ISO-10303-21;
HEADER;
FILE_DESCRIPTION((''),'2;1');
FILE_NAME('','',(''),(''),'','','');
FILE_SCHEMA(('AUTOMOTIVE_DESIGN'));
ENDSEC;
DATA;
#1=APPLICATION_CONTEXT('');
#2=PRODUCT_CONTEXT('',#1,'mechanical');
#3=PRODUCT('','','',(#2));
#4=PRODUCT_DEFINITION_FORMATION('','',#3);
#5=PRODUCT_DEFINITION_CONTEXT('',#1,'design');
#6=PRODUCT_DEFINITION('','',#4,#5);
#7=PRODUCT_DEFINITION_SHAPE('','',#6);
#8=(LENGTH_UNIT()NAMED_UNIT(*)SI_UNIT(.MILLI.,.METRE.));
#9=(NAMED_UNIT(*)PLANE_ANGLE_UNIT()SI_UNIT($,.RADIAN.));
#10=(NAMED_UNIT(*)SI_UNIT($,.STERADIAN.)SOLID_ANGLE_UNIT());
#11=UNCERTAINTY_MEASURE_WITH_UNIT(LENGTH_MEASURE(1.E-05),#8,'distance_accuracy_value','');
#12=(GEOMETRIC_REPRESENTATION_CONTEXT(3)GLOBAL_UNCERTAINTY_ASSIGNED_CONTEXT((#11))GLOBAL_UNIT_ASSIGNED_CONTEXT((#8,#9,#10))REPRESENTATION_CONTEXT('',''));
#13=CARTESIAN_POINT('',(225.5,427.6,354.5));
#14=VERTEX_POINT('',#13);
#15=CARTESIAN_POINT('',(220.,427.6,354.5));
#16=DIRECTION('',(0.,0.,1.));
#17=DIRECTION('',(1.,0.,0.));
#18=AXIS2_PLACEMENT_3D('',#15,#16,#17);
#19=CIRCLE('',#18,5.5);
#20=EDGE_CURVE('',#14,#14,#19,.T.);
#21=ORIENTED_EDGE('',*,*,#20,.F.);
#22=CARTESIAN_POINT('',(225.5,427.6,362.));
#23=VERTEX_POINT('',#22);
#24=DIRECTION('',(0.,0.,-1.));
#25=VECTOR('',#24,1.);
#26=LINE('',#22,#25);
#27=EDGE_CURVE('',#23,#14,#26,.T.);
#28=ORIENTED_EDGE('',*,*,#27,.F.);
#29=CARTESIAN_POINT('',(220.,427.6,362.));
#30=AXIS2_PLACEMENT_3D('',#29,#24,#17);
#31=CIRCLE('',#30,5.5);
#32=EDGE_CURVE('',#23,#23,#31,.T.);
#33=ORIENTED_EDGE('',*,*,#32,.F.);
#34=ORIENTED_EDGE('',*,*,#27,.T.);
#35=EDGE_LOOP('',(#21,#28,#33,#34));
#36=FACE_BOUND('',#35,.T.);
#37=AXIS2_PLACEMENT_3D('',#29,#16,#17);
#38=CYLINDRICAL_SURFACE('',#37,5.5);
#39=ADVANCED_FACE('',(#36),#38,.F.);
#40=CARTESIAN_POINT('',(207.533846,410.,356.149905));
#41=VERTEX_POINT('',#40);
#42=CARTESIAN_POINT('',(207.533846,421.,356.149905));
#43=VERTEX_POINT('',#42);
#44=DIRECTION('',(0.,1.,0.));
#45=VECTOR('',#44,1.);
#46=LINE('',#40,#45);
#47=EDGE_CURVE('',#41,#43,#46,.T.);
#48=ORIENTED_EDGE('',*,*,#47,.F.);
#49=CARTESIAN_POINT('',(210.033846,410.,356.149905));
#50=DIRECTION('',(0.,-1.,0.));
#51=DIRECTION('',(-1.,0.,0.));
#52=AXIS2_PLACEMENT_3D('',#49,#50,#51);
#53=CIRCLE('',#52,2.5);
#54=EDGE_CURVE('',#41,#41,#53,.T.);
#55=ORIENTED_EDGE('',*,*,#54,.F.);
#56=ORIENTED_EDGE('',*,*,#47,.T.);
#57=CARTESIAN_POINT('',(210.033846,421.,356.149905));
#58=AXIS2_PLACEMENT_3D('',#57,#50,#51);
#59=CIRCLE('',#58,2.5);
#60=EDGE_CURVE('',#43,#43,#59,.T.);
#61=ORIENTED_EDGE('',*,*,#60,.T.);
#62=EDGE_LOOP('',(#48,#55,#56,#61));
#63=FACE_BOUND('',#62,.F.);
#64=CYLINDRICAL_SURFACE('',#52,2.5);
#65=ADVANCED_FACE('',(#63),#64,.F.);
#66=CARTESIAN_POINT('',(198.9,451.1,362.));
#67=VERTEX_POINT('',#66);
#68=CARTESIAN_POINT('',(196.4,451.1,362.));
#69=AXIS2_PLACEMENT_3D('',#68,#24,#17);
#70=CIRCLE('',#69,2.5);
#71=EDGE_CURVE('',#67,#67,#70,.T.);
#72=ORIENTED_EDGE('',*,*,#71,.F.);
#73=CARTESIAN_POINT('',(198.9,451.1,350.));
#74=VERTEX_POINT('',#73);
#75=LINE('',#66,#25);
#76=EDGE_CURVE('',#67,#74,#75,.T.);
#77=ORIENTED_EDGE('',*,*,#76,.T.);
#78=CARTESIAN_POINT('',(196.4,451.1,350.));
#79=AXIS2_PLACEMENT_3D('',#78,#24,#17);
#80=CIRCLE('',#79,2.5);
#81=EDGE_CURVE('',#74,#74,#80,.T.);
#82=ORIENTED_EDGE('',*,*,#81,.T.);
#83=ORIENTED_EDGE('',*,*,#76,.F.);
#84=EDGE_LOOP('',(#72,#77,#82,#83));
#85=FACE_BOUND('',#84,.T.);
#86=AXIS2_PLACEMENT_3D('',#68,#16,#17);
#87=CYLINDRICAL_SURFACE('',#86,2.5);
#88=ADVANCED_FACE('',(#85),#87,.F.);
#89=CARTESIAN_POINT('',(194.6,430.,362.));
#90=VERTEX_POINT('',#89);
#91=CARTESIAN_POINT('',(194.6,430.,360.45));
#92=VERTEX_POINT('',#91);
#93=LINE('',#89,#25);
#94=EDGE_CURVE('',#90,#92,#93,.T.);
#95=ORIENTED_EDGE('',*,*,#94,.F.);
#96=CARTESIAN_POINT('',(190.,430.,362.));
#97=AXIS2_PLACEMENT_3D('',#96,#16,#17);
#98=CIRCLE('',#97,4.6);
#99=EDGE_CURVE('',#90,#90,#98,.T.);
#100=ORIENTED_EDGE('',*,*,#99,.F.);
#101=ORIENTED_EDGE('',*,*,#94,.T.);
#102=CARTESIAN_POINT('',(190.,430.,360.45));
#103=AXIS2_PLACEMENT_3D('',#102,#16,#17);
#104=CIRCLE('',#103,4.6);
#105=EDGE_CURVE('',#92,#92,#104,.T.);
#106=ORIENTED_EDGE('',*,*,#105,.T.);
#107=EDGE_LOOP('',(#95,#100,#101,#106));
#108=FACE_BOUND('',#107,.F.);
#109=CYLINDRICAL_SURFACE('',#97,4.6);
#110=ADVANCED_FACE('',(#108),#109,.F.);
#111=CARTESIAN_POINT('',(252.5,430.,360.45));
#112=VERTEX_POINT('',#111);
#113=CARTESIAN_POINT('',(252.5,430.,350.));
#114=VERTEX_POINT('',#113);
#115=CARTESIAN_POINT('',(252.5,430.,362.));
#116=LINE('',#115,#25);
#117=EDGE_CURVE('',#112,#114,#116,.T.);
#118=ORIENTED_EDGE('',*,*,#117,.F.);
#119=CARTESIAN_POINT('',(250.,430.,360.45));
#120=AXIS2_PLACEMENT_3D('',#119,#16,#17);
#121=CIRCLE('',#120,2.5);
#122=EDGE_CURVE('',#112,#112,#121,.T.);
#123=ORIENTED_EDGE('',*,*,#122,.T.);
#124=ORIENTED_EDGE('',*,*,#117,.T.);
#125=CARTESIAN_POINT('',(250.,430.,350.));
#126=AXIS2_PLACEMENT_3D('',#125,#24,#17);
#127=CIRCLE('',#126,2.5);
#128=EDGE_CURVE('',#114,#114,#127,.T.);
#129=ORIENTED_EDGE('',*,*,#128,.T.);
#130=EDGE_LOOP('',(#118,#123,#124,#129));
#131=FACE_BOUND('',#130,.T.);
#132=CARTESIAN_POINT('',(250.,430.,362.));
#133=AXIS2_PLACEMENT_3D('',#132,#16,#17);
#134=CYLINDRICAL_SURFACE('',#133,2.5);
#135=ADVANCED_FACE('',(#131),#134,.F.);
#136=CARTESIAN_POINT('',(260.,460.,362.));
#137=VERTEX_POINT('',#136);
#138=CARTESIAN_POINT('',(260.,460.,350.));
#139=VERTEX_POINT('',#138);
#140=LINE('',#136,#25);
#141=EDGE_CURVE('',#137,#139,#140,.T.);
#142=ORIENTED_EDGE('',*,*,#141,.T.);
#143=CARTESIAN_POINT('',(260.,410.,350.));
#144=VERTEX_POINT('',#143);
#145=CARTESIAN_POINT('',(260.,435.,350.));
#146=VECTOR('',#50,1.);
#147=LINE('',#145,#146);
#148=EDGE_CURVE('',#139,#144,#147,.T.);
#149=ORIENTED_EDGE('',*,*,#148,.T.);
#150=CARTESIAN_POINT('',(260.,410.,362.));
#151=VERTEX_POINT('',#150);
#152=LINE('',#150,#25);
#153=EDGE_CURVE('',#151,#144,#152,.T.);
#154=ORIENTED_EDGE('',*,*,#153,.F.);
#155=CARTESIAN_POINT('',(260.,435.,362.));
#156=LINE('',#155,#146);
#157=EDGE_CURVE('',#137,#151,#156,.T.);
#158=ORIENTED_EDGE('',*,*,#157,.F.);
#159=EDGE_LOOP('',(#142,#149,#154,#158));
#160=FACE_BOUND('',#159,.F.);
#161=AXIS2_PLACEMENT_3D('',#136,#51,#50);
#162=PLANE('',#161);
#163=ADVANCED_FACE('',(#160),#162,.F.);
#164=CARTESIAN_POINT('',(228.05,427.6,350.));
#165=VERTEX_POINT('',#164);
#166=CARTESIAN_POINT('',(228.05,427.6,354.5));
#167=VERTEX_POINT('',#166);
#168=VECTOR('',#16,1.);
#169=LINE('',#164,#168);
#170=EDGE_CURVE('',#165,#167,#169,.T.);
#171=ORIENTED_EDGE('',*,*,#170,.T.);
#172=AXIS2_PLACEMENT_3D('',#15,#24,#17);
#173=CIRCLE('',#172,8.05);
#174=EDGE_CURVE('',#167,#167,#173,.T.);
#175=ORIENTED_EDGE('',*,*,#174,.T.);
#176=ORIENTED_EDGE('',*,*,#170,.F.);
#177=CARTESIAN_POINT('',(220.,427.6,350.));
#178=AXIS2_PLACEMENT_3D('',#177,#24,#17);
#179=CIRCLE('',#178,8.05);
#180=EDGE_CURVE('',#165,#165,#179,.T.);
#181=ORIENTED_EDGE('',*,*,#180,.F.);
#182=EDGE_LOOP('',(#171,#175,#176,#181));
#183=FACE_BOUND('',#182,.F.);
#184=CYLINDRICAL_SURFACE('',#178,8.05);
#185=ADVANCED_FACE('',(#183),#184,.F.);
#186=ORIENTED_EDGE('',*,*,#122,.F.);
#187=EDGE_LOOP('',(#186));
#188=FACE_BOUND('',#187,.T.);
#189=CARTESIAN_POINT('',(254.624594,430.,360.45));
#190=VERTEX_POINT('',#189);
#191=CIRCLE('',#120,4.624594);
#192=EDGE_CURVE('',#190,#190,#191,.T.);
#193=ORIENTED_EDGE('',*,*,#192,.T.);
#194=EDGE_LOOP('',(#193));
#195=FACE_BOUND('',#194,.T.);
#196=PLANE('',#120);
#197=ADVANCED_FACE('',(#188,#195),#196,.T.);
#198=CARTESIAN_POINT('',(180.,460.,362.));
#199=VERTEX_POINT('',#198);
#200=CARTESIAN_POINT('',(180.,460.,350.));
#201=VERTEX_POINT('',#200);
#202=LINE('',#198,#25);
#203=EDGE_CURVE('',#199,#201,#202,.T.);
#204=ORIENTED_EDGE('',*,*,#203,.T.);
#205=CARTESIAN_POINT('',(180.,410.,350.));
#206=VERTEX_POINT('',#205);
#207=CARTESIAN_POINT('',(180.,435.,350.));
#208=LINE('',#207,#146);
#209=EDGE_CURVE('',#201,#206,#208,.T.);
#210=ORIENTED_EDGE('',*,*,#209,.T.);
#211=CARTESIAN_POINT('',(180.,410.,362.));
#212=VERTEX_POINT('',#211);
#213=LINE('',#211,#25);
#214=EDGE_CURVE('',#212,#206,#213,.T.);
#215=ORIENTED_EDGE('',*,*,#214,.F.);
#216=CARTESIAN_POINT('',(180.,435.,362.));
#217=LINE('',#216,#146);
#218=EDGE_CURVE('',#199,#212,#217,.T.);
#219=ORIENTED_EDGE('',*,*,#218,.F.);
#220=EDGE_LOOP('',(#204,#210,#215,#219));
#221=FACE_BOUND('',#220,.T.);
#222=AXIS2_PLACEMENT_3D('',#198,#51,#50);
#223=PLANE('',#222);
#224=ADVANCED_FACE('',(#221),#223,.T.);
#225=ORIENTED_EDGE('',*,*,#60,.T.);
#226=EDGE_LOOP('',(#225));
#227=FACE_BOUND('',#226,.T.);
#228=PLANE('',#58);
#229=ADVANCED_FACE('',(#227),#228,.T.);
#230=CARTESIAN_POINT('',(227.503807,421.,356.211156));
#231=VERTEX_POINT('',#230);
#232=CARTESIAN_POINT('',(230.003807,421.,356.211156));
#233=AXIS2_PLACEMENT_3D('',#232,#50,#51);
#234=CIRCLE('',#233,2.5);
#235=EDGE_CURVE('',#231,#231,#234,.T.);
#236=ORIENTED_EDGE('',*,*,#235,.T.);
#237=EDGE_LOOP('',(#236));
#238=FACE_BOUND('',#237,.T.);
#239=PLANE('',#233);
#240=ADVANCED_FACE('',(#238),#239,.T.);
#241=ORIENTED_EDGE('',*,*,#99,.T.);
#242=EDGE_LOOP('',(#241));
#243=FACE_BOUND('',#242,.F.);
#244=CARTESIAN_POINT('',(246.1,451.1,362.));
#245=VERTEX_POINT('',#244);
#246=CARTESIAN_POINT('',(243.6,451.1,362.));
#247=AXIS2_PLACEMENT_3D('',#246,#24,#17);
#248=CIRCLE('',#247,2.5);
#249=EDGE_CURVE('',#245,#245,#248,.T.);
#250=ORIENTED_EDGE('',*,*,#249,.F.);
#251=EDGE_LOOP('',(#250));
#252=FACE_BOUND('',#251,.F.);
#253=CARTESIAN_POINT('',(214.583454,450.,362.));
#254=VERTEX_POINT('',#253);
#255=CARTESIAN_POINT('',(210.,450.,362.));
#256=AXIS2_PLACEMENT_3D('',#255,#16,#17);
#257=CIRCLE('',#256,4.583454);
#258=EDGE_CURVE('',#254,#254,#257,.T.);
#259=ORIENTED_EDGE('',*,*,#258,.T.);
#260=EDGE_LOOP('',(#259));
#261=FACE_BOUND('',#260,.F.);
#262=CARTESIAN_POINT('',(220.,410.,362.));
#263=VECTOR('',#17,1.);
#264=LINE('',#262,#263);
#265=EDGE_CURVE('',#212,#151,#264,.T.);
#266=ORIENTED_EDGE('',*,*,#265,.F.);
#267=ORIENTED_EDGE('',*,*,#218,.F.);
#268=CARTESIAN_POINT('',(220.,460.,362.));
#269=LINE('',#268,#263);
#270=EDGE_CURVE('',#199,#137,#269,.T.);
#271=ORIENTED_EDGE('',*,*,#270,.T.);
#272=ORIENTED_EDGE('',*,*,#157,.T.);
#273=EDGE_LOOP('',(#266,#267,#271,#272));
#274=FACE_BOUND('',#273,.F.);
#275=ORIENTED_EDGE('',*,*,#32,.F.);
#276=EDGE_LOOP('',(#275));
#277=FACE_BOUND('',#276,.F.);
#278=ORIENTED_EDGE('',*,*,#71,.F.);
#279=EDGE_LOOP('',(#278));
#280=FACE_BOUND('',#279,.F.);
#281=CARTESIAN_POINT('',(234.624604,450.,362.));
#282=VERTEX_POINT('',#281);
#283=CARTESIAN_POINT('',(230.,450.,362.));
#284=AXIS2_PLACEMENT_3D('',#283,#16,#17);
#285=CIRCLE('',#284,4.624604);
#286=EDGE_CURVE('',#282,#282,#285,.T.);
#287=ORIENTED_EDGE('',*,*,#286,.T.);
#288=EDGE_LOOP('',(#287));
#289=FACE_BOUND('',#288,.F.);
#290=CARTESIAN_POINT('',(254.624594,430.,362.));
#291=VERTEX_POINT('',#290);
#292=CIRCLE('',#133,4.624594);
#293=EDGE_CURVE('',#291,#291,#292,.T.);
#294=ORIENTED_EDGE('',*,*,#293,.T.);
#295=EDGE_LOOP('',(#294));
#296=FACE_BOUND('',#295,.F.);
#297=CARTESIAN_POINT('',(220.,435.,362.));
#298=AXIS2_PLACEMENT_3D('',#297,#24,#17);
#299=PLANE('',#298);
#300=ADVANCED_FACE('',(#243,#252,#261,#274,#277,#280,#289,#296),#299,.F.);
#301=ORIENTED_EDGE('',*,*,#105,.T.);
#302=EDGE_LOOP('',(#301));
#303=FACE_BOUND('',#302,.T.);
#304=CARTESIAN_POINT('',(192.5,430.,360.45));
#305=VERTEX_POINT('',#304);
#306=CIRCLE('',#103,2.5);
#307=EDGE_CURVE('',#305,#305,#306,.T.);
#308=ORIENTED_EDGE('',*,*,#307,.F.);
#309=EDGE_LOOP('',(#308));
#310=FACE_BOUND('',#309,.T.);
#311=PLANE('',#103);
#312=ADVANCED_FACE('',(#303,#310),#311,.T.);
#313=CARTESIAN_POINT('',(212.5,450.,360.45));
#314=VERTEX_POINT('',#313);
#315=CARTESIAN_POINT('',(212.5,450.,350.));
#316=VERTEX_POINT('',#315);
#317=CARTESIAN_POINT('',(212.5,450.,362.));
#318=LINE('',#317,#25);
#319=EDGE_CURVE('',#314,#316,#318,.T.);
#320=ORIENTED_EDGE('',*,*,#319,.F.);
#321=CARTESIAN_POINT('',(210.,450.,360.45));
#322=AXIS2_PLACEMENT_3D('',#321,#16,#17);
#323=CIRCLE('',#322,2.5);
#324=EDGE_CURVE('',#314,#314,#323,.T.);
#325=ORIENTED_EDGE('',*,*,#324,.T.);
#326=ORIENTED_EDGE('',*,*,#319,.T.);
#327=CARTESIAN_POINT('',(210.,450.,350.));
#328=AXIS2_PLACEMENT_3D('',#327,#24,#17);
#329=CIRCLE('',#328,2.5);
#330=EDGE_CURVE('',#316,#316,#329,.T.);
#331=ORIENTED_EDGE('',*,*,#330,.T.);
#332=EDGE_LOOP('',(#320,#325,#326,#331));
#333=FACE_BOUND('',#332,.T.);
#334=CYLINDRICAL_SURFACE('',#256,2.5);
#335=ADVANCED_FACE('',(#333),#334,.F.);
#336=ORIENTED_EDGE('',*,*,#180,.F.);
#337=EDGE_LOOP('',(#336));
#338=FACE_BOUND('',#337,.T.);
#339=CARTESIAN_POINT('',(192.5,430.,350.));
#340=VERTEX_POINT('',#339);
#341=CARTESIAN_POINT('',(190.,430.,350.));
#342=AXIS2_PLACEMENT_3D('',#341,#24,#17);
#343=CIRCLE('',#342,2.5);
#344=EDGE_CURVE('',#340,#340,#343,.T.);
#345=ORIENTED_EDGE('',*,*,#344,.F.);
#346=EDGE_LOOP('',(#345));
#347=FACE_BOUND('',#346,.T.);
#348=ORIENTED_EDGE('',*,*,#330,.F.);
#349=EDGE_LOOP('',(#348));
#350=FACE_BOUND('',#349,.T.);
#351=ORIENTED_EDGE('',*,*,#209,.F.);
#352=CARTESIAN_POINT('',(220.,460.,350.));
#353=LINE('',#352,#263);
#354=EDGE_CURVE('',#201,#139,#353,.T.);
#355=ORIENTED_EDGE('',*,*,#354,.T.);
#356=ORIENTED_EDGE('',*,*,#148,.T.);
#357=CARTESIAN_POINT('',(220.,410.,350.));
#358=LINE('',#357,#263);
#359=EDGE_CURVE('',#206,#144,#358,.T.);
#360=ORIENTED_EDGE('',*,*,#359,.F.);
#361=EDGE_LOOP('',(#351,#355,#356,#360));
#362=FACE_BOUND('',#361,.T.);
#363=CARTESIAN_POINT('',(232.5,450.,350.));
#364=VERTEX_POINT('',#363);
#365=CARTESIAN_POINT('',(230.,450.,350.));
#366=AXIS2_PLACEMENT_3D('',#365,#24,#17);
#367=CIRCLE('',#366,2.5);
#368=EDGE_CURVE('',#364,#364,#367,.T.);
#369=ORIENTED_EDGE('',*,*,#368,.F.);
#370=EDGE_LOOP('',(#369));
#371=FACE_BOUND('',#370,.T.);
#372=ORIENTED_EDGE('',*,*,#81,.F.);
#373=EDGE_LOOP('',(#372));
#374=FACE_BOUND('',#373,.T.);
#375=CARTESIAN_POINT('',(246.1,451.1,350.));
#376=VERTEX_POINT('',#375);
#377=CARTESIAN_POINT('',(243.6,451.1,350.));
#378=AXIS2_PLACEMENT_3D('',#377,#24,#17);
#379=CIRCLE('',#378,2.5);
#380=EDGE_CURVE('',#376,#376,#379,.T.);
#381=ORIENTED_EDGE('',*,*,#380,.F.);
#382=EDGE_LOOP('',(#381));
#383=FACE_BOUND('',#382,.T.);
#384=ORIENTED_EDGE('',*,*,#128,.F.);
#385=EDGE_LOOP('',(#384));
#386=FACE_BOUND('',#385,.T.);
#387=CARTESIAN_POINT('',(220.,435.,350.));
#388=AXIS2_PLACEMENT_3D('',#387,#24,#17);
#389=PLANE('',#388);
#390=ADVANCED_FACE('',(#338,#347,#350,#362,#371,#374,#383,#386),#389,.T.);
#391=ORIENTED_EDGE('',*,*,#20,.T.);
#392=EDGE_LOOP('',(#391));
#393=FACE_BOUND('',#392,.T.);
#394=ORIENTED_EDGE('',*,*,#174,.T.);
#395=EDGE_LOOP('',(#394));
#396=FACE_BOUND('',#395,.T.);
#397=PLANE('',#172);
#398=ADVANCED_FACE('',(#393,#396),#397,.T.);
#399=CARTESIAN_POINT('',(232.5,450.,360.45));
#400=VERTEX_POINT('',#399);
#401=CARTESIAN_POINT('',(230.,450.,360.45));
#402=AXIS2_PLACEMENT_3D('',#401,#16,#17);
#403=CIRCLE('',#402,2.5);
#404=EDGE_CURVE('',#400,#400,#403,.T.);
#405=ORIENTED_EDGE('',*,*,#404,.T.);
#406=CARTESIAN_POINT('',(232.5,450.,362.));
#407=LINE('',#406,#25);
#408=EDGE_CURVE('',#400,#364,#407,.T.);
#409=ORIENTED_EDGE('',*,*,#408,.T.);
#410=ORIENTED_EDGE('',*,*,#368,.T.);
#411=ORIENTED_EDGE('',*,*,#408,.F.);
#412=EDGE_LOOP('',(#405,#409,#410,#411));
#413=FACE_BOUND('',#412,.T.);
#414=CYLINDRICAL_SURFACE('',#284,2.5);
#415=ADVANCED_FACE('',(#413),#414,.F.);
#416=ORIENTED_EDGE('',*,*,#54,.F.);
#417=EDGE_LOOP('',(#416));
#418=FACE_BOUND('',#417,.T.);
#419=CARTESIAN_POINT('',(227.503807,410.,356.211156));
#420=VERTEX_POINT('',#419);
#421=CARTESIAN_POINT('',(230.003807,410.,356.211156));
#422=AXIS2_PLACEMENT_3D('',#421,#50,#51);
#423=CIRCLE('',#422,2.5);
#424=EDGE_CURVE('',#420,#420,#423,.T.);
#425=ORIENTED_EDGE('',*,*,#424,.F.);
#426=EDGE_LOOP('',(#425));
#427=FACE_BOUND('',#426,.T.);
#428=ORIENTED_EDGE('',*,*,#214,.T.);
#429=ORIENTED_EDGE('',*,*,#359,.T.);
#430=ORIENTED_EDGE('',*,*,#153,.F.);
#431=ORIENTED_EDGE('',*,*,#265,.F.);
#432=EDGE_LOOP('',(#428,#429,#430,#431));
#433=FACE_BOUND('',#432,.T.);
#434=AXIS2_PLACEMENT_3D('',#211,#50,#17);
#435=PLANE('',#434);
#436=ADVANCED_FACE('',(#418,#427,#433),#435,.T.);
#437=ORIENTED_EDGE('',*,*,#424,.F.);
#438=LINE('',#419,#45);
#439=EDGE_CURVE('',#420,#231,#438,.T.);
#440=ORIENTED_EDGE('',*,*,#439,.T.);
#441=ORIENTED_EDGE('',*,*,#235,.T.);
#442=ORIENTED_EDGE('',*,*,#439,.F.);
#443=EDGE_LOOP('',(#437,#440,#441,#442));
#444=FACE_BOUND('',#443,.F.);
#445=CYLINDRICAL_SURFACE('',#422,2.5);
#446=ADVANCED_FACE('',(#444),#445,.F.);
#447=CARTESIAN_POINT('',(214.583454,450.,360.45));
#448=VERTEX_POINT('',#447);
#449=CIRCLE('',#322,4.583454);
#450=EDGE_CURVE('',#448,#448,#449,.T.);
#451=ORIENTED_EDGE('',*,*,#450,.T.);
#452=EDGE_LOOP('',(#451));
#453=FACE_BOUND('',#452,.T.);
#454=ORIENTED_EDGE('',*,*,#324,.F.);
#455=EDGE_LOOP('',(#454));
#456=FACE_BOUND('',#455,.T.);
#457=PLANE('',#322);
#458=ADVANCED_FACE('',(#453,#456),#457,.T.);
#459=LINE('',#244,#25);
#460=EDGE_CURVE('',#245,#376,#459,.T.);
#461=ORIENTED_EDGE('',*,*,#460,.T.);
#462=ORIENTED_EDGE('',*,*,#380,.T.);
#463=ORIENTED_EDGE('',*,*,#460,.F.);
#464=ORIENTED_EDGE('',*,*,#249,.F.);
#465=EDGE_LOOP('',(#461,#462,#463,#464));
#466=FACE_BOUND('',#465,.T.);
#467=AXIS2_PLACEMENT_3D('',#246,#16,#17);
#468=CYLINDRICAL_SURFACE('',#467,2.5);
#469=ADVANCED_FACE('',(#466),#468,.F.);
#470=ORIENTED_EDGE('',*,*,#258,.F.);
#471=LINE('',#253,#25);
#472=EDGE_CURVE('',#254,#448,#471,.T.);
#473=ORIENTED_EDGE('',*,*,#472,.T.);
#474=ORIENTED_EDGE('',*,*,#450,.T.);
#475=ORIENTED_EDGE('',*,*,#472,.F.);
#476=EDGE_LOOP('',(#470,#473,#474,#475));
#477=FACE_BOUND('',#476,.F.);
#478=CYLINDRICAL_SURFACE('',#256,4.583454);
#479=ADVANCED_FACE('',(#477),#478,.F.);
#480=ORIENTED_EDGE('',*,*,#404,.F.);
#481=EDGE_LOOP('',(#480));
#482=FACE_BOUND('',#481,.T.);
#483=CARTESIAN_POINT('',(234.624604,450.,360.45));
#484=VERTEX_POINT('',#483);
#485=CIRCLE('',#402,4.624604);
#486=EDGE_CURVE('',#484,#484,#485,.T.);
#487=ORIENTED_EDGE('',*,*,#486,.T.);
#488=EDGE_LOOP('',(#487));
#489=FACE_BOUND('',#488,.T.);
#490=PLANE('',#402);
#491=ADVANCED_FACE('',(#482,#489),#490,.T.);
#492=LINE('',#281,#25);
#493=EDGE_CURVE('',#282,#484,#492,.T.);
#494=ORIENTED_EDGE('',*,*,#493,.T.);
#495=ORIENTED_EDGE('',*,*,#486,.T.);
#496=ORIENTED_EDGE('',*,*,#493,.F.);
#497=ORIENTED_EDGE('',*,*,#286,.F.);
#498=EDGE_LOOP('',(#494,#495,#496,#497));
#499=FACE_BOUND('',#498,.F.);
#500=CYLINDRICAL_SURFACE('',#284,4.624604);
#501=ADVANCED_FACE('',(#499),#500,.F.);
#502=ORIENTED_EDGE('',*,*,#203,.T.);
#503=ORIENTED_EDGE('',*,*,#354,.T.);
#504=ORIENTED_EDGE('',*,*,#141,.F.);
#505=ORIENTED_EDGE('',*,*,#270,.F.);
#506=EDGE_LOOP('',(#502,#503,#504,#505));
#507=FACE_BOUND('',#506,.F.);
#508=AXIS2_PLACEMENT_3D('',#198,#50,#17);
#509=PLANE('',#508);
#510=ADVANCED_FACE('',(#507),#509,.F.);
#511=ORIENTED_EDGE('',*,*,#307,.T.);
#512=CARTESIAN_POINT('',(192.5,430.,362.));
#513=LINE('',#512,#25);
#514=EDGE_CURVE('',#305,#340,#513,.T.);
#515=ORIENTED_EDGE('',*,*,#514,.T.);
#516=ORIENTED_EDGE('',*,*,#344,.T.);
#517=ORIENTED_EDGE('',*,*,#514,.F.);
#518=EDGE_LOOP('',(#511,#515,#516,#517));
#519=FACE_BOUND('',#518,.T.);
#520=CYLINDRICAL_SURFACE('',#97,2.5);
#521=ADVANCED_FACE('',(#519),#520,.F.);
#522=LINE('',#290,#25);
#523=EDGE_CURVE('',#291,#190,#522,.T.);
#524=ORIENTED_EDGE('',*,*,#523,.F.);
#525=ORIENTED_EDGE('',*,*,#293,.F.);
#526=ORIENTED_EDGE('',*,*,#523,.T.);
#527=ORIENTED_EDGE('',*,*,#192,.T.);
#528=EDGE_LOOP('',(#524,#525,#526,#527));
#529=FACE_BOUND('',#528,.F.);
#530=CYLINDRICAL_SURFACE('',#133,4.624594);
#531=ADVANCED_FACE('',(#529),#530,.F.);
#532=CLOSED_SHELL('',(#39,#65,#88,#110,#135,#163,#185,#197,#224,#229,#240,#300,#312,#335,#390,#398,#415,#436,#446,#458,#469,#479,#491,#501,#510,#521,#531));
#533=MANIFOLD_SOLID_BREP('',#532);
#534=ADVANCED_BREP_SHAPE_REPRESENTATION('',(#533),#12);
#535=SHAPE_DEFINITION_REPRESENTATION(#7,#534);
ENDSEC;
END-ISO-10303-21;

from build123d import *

# Parameters (mm, degrees)
SKETCH005_W     = 80
SKETCH005_H     = 50
SKETCH005_R     = 2.5
SKETCH005_R_2   = 5.5
PAD001_DEPTH    = 12
SKETCH006_R     = 2.5
POCKET003_DEPTH = 11
SKETCH007_R     = 8.05
POCKET004_DEPTH = 4.5
SKETCH008_R     = 4.6
SKETCH008_R_2   = 4.624594
SKETCH008_R_3   = 4.583454
SKETCH008_R_4   = 4.624604
POCKET005_DEPTH = 1.55


with BuildPart() as part:
    # Sketch005 → Pad001 (new body)
    with BuildSketch(Plane(origin=(180, 460, 362), x_dir=(1, 0, 0), z_dir=(0, 0, -1))):
        with Locations((40, 25)):
            Rectangle(SKETCH005_W, SKETCH005_H)
        with Locations((10, 30)):
            Circle(SKETCH005_R, mode=Mode.SUBTRACT)
        with Locations((30, 10)):
            Circle(SKETCH005_R, mode=Mode.SUBTRACT)
        with Locations((16.4, 8.9)):
            Circle(SKETCH005_R, mode=Mode.SUBTRACT)
        with Locations((50, 10)):
            Circle(SKETCH005_R, mode=Mode.SUBTRACT)
        with Locations((63.6, 8.9)):
            Circle(SKETCH005_R, mode=Mode.SUBTRACT)
        with Locations((70, 30)):
            Circle(SKETCH005_R, mode=Mode.SUBTRACT)
        with Locations((40, 32.4)):
            Circle(SKETCH005_R_2, mode=Mode.SUBTRACT)
    extrude(amount=PAD001_DEPTH)

    # Sketch006 → Pocket003 (cut)
    with BuildSketch(Plane(origin=(180, 410, 362), x_dir=(-1, 0, 0), z_dir=(0, -1, 0))):
        with Locations((-30.033846, 5.850095)):
            Circle(SKETCH006_R)
        with Locations((-50.003807, 5.788844)):
            Circle(SKETCH006_R)
    extrude(amount=-POCKET003_DEPTH, mode=Mode.SUBTRACT)

    # Sketch007 → Pocket004 (cut)
    with BuildSketch(Plane(origin=(180, 460, 350), x_dir=(1, 0, 0), z_dir=(0, 0, -1))):
        with Locations((40, 32.4)):
            Circle(SKETCH007_R)
    extrude(amount=-POCKET004_DEPTH, mode=Mode.SUBTRACT)

    # Sketch008 → Pocket005 (cut)
    with BuildSketch(Plane(origin=(180, 460, 362), x_dir=(1, 0, 0), z_dir=(0, 0, 1))):
        with Locations((10, -30)):
            Circle(SKETCH008_R)
        with Locations((70, -30)):
            Circle(SKETCH008_R_2)
        with Locations((30, -10)):
            Circle(SKETCH008_R_3)
        with Locations((50, -10)):
            Circle(SKETCH008_R_4)
    extrude(amount=-POCKET005_DEPTH, mode=Mode.SUBTRACT)


solid = part.part
